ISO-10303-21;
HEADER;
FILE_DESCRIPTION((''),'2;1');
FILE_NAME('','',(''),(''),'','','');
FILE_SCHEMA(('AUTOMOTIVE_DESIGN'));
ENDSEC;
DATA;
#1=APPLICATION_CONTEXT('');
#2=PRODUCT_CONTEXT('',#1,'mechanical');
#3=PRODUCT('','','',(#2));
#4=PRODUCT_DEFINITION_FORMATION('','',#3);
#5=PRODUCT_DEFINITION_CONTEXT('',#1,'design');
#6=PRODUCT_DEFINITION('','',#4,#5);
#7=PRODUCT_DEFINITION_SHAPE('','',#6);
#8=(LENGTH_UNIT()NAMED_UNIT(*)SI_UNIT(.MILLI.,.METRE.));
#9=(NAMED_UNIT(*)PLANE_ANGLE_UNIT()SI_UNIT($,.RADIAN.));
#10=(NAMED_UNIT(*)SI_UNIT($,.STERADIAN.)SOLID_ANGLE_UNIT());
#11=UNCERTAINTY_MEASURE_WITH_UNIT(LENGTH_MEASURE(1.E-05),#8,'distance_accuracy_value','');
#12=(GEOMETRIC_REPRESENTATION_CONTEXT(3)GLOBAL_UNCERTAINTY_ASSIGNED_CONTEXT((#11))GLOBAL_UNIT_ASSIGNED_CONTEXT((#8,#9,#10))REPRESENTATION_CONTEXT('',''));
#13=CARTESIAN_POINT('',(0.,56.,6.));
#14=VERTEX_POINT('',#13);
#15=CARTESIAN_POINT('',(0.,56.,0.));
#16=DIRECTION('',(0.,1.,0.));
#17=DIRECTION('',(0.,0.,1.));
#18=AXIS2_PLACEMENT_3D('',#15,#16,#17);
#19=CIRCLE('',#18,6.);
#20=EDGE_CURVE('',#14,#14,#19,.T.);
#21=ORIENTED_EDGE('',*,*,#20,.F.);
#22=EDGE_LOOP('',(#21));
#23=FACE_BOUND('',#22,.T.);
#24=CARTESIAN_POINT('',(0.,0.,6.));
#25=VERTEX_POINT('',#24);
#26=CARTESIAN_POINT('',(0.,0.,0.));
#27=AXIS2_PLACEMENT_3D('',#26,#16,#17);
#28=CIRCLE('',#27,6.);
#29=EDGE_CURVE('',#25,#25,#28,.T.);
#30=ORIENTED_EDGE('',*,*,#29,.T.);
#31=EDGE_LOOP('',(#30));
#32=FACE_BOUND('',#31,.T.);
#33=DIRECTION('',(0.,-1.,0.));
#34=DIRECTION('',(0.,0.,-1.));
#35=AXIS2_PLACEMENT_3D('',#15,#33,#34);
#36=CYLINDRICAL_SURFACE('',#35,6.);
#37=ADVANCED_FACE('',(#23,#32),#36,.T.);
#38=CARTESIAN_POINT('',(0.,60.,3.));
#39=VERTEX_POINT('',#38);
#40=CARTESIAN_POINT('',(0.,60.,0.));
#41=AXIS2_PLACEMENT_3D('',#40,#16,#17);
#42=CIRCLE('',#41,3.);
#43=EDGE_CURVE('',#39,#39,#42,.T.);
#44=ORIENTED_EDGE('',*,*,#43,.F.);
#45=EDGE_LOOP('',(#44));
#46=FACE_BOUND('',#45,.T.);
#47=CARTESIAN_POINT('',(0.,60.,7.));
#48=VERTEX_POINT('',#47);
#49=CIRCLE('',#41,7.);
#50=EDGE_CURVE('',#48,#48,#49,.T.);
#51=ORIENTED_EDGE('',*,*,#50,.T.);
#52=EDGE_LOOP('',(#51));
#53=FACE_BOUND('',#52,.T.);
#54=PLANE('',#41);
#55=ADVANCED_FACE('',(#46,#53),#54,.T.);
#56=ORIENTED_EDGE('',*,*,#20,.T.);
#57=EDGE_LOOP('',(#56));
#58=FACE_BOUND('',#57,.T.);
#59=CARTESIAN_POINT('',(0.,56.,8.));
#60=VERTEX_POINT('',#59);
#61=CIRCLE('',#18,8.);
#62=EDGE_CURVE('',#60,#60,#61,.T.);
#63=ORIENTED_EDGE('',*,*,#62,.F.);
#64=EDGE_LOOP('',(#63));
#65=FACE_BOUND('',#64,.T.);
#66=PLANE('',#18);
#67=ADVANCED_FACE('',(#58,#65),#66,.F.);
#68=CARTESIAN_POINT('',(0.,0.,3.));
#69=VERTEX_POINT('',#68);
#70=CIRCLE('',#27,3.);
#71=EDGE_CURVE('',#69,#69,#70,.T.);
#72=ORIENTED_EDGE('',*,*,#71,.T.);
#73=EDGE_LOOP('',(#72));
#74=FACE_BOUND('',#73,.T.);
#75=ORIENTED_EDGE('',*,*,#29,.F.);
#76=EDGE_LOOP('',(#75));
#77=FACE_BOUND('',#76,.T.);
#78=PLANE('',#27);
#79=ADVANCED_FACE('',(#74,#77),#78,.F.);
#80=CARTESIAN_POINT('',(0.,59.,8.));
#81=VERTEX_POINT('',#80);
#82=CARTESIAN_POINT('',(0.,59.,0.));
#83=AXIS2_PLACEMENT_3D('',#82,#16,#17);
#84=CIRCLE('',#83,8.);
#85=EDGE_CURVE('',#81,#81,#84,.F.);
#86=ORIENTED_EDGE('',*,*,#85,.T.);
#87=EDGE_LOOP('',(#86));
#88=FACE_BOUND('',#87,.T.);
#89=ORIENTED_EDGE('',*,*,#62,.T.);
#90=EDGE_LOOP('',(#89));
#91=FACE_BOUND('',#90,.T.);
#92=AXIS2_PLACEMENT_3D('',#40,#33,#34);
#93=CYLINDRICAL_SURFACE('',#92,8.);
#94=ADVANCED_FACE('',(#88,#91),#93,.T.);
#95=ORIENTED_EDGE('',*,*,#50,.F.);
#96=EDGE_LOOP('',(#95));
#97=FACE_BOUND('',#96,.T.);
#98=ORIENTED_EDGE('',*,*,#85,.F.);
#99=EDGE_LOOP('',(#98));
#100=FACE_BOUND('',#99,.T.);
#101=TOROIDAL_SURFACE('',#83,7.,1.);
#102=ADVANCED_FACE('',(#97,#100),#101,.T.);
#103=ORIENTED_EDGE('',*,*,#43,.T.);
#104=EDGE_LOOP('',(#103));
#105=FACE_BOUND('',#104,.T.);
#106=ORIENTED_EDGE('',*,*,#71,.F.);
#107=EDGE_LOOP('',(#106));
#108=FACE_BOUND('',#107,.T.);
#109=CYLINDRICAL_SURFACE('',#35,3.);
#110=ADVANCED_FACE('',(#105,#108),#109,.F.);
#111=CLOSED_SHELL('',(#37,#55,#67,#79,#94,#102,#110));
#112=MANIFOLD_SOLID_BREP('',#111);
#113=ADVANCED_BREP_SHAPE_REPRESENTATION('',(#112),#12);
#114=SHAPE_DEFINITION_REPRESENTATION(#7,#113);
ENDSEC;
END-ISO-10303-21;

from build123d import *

# Parameters (mm, degrees)
SCHIZZO1_R                   = 6
SCHIZZO1_R_2                 = 3
ESTRUSIONE_ESTRUSIONE1_DEPTH = 56
SCHIZZO2_R                   = 8
SCHIZZO2_R_2                 = 3
ESTRUSIONE_ESTRUSIONE2_DEPTH = 4
RACCORDO1_R                  = 1


with BuildPart() as part:
    # Schizzo1 → Estrusione-Estrusione1 (new body)
    with BuildSketch(Plane(origin=(0, 0, 0), x_dir=(1, 0, 0), z_dir=(0, 1, 0))):
        Circle(SCHIZZO1_R)
        Circle(SCHIZZO1_R_2, mode=Mode.SUBTRACT)
    extrude(amount=ESTRUSIONE_ESTRUSIONE1_DEPTH)

    # Schizzo2 → Estrusione-Estrusione2 (add)
    with BuildSketch(Plane(origin=(0, 56, 0), x_dir=(1, 0, 0), z_dir=(0, 1, 0))):
        Circle(SCHIZZO2_R)
        Circle(SCHIZZO2_R_2, mode=Mode.SUBTRACT)
    extrude(amount=ESTRUSIONE_ESTRUSIONE2_DEPTH)

    # Raccordo1
    raccordo1_edges = [part.edges().sort_by_distance(p)[0] for p in [
        (-8, 60, 0),
    ]]
    fillet(raccordo1_edges, radius=RACCORDO1_R)


solid = part.part
